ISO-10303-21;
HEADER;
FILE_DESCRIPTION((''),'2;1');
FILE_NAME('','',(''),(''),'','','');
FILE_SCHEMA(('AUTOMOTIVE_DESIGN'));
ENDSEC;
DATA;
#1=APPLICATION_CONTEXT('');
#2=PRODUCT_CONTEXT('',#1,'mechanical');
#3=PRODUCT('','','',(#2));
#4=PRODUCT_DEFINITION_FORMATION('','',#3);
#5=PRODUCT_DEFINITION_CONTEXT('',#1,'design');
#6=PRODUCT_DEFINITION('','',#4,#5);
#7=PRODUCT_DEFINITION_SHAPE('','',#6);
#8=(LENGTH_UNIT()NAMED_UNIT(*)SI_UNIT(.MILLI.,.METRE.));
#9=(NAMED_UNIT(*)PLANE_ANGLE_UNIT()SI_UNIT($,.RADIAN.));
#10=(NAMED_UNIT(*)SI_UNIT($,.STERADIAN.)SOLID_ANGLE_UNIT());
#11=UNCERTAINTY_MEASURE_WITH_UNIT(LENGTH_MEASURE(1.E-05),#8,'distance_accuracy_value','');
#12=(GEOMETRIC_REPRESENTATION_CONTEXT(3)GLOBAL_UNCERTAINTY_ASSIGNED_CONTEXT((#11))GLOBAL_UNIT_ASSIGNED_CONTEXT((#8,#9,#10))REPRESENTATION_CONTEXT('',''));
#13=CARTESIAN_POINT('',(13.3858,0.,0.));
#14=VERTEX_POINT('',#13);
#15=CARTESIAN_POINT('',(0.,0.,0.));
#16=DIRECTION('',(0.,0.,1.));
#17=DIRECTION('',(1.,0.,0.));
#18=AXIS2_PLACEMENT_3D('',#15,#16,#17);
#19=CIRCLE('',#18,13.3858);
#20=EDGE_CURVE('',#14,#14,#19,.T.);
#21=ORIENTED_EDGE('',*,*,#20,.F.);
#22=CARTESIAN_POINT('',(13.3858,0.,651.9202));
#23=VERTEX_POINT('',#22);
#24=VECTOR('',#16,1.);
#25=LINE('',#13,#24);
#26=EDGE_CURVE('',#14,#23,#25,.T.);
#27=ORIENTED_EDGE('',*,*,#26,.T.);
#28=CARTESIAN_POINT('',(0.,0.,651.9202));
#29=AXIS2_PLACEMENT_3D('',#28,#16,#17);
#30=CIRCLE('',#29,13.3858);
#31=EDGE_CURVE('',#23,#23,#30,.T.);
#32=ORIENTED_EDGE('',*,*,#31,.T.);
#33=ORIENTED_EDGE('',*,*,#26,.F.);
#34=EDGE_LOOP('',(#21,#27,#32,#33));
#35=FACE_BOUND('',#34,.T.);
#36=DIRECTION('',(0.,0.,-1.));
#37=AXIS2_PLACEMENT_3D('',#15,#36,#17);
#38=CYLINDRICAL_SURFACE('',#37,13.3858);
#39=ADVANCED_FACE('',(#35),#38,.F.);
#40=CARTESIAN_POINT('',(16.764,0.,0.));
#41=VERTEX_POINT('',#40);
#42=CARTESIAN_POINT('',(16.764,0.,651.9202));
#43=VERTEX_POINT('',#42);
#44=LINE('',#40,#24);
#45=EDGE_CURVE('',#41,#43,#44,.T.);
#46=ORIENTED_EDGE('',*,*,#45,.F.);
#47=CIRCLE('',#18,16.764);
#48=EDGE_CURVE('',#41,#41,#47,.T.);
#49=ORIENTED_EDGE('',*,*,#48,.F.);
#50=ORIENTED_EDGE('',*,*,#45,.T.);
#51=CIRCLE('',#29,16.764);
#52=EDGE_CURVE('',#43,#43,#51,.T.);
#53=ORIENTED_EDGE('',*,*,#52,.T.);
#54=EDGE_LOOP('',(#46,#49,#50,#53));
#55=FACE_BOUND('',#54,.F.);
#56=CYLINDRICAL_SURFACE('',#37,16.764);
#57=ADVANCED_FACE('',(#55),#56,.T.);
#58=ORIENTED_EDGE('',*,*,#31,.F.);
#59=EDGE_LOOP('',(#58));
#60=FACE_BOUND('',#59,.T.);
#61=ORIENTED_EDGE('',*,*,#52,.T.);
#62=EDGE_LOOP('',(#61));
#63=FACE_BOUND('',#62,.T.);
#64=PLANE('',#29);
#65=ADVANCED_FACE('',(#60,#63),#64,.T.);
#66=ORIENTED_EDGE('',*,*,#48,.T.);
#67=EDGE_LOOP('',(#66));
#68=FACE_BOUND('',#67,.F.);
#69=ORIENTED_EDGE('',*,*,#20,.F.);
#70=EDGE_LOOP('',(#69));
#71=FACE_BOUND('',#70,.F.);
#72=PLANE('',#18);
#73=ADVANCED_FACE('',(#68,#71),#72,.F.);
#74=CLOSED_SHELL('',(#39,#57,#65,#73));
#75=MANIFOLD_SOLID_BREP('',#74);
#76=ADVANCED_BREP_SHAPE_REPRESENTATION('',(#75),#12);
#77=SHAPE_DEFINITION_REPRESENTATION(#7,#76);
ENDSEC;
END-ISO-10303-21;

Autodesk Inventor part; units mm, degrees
ref_plane "YZ Plane" through (0, 0, 0) normal (1, 0, 0) x (0, 1, 0)
ref_plane "Start plane" through (0, 0, 0) normal (0, 0, 1) x (1, 0, 0)
ref_plane "End plane" through (0, 0, 651.9202) normal (0, 0, 1) x (1, 0, 0)
sketch "Sketch" plane through (0, 0, 0) normal (0, 0, 1) x (1, 0, 0)
  circle A0 centre (0, 0) radius 13.3858
  circle A1 centre (0, 0) radius 16.764
  dimension "d0" = 33.528
  dimension "d1" = 3.3782
extrude "Body" add sketch "Sketch" along normal up to surface (651.9202 mm away) from surface at 0
sketch "Sketch3" plane through (0, 0, 0) normal (0, 0, 1) x (1, 0, 0)
  line L0 (0, 0) -> (10, 0)
ref_plane "Work Plane3" through (0, 0, 0) normal (0, -1, 0) x (1, 0, 0)
sketch "Sketch4" plane through (0, 0, 0) normal (0, -1, 0) x (1, 0, 0)
  line L0 (-2, 0) -> (12, 0) projected
  line L1 (-2, 651.9202) -> (12, 651.9202) projected
  dimension "d7" = 651.9202
equation "\"d0\" = G_H"
equation "\"d1\" = G_T"
equation "\"d2\" = G_L"
equation "\"G_H\" = 33.528"
equation "\"G_T\" = 3.3782"
equation "\"G_L\" = d7"
equation "\"G_OFFSET_START\" = 0"
equation "\"G_OFFSET_END\" = 0"
equation "\"d5\" = G_OFFSET_END + B_L"
equation "\"B_L\" = 651.92024"
properties part number "ANSI - 1 x 0.133 - 25.666" material "Steel, Mild"
